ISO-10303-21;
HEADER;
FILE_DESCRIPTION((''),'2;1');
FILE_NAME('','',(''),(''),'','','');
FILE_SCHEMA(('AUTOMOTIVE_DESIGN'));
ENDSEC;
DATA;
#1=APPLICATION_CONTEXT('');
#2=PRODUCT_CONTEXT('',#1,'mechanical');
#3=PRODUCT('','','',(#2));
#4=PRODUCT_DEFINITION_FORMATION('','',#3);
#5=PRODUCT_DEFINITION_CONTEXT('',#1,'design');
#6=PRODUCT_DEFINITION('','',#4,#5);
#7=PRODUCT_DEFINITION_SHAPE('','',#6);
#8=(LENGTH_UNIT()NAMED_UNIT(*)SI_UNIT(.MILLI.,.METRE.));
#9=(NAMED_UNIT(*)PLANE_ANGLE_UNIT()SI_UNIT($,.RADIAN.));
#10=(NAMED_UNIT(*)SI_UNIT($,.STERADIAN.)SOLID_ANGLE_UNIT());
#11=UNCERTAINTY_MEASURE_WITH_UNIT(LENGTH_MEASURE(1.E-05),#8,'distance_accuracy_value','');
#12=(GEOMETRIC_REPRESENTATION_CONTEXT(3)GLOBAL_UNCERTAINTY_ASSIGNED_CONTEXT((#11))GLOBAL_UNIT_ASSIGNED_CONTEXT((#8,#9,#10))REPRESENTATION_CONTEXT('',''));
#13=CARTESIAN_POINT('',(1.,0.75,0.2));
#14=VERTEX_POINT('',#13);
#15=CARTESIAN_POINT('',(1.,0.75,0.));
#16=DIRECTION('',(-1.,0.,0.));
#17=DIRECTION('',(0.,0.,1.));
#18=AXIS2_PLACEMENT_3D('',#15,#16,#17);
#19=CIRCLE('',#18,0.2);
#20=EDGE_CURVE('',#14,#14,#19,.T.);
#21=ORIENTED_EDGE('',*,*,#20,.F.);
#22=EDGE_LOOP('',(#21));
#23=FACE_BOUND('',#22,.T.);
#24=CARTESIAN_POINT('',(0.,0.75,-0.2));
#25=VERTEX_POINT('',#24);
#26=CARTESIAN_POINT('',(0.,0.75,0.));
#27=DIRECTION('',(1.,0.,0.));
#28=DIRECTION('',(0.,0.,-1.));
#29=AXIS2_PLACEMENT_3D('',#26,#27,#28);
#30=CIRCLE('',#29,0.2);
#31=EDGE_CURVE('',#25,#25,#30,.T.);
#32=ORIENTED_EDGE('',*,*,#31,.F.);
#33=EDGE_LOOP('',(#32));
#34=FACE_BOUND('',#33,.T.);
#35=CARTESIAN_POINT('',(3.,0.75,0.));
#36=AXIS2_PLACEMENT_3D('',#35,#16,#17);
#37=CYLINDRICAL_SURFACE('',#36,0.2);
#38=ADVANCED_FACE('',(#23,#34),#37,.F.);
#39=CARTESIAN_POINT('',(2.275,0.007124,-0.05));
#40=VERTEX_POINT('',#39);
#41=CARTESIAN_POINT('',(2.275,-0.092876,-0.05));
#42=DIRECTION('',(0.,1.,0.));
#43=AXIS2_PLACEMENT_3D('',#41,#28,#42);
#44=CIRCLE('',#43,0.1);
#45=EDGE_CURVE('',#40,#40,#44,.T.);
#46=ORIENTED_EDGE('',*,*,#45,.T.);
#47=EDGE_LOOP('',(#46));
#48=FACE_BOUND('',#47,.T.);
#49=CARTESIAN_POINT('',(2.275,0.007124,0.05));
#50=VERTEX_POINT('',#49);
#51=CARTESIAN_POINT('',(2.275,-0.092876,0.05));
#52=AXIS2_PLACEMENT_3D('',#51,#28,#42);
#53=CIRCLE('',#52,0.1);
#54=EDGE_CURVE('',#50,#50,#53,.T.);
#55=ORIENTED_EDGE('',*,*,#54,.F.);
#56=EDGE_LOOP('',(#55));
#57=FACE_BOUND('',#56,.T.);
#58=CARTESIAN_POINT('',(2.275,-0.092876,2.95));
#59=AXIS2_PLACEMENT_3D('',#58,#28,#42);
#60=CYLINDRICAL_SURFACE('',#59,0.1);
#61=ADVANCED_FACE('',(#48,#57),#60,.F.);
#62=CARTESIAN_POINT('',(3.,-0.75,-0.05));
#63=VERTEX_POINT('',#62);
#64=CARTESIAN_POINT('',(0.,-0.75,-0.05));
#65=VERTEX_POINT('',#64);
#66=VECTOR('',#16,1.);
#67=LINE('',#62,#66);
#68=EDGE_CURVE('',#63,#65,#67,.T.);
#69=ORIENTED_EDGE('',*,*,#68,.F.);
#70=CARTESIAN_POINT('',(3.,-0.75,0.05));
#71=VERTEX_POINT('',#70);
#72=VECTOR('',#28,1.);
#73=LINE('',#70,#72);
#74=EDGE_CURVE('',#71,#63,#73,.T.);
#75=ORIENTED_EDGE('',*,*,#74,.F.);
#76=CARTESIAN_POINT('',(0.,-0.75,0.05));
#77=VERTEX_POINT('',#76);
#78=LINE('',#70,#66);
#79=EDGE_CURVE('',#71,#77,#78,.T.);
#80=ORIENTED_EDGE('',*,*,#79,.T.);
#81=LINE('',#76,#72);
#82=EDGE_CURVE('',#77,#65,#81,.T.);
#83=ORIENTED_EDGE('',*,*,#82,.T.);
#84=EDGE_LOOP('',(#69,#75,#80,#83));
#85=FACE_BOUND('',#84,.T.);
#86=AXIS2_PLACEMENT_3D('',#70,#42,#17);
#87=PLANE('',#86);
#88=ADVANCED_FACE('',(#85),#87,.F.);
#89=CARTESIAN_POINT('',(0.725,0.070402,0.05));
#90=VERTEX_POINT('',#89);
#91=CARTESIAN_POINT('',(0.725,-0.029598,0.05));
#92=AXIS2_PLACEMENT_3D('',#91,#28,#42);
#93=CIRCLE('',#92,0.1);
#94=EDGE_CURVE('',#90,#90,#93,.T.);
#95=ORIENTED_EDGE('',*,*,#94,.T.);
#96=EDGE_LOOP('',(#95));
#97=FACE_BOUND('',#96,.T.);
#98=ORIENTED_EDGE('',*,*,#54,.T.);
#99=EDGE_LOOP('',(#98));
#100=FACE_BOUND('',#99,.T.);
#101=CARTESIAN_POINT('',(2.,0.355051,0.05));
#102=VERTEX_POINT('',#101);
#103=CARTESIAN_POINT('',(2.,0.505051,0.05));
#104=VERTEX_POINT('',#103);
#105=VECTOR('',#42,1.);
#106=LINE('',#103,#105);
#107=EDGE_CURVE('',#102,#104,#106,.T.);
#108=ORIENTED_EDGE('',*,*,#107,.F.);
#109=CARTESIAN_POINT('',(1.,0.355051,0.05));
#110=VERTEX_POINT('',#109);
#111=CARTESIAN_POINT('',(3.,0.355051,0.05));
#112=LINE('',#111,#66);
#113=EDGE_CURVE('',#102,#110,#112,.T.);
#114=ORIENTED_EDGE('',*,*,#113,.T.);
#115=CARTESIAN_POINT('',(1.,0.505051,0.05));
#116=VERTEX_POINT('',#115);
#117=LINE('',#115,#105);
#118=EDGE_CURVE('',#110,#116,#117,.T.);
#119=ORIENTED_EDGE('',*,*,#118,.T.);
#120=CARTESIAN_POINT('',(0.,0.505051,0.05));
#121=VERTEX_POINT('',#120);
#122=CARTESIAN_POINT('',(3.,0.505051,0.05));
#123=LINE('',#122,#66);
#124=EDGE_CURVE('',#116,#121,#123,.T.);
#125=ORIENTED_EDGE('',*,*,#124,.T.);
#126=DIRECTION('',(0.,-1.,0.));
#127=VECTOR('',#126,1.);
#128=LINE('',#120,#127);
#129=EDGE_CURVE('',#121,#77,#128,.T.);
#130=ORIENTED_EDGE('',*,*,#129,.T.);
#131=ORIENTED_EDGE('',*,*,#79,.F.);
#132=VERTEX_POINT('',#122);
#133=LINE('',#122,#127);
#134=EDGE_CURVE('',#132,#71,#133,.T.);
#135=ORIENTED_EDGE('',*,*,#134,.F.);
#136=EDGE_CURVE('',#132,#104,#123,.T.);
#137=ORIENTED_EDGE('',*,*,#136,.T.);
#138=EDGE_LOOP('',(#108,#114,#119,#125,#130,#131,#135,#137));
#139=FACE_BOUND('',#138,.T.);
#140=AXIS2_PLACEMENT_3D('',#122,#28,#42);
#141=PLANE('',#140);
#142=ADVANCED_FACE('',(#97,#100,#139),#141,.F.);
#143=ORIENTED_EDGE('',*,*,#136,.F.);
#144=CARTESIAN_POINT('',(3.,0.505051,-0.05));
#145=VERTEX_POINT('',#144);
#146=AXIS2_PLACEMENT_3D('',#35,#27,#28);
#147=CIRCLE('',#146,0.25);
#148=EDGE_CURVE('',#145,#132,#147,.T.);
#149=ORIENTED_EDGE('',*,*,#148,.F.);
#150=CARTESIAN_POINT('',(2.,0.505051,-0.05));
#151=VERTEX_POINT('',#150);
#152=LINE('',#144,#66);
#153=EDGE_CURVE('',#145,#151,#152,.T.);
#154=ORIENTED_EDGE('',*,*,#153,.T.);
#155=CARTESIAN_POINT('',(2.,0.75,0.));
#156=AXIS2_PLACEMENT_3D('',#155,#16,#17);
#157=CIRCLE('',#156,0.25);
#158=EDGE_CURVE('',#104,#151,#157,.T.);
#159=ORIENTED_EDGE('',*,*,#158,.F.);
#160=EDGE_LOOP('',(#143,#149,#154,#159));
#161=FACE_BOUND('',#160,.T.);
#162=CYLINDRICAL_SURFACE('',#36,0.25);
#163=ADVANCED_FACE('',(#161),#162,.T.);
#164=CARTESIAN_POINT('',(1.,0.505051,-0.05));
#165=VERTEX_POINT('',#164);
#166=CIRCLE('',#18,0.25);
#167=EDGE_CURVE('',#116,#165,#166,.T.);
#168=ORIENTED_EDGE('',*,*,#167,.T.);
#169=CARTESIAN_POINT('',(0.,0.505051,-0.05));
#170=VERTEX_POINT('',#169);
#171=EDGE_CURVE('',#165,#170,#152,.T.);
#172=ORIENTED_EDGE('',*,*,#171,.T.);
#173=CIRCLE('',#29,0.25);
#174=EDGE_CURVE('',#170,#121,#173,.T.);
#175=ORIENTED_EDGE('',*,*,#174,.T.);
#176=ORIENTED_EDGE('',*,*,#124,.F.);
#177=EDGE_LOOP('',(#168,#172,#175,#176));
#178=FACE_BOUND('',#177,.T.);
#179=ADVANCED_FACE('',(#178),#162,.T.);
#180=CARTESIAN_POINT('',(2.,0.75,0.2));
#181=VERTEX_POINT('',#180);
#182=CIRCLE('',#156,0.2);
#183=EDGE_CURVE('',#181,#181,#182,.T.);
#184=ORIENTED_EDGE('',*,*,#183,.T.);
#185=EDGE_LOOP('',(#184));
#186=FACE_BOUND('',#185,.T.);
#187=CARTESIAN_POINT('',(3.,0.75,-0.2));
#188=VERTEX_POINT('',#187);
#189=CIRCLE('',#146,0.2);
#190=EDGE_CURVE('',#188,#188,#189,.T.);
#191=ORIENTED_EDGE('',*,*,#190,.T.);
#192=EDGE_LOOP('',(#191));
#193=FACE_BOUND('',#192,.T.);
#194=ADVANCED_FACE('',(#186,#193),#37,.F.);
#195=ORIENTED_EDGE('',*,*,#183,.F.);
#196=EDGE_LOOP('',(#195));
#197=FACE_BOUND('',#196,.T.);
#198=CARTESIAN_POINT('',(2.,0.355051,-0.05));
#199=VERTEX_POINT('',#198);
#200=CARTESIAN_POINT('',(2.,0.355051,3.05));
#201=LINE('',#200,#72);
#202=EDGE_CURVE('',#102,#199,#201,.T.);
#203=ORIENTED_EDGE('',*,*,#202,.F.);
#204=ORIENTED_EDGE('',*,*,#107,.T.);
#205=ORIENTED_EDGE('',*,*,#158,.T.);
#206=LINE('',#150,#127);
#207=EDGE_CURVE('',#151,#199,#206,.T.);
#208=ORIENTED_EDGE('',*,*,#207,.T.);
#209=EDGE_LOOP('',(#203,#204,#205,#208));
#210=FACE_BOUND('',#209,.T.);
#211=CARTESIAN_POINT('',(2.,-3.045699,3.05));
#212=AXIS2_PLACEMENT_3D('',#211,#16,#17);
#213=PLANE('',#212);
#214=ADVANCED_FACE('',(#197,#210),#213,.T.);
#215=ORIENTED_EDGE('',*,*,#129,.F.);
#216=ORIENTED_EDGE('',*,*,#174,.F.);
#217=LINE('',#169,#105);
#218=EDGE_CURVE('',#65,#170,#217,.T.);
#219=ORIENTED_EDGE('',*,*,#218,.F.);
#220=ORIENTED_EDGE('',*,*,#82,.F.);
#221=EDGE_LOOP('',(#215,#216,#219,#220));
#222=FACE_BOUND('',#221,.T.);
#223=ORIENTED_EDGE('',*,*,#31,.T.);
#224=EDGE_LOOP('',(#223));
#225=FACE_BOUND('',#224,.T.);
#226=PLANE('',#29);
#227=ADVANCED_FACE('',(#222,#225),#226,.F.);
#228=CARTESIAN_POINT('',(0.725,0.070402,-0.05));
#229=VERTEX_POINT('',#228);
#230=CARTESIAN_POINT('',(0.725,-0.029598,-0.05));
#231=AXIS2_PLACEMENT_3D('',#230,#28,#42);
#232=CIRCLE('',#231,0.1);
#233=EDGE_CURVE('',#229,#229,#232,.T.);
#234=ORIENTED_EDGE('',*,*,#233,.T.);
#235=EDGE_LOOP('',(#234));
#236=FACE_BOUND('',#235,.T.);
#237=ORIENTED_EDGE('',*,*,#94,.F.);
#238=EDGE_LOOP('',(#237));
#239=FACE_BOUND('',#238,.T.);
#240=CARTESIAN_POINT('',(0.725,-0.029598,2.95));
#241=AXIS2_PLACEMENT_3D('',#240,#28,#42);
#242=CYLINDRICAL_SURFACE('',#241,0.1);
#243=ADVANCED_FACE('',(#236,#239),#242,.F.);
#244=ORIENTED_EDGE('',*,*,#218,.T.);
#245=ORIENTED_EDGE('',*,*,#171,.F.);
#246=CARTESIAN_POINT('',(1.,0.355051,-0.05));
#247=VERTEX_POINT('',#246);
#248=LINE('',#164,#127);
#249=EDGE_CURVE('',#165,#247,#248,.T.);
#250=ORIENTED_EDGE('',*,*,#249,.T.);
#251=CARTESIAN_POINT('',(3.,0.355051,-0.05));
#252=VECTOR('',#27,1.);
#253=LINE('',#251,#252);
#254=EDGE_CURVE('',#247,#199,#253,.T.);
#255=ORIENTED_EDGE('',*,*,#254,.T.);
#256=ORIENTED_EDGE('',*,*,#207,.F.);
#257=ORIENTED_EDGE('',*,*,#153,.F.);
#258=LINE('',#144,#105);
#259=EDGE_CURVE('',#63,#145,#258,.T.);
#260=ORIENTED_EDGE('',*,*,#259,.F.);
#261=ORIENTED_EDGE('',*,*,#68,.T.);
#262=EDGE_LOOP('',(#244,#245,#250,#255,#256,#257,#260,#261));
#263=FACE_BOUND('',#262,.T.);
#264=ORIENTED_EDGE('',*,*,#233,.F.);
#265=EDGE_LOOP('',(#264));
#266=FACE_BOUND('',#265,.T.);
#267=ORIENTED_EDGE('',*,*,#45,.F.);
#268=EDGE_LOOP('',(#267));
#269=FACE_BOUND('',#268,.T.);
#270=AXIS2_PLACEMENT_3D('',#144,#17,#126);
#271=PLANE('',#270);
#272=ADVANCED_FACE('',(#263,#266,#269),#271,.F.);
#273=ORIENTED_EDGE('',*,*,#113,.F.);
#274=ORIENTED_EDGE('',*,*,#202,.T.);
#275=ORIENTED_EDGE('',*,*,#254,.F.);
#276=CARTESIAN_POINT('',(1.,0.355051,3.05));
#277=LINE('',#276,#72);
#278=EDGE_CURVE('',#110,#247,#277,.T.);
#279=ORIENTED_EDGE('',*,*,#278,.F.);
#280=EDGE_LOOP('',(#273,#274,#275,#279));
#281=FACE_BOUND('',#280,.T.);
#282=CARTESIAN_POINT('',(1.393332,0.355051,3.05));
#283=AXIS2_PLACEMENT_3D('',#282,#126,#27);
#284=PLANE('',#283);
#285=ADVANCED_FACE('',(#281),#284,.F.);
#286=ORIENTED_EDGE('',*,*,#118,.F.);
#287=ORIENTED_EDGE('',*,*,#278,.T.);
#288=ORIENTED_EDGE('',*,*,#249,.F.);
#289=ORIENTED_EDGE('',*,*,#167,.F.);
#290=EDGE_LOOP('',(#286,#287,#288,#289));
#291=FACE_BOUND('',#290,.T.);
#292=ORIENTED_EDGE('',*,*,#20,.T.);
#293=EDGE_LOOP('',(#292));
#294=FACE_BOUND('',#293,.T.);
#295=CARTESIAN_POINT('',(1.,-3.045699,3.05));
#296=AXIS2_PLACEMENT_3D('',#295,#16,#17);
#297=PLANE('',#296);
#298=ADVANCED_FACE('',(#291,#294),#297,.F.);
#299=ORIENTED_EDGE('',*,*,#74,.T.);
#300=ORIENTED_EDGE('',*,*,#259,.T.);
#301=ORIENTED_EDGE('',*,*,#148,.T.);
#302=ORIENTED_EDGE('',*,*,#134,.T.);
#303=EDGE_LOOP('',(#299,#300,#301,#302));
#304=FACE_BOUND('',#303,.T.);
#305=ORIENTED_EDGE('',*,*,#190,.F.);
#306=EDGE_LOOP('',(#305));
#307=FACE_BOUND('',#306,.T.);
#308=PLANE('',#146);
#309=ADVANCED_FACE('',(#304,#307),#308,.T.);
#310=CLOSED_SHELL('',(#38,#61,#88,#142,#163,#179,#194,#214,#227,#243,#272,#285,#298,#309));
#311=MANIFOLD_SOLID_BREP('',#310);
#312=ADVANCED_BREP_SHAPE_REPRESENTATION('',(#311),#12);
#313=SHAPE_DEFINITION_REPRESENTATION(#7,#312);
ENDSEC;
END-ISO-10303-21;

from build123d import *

# Parameters (mm, degrees)
SKETCH_2_R               = 0.2
EXTRUDE_1_DEPTH          = 3
SKETCH_3_R               = 0.1
CUT_EXTRUDE_1_DEPTH      = 3
CUT_EXTRUDE_2_DEPTH      = 3
CUT_EXTRUDE_2_DEPTH_BACK = 3
SKETCH_4_W               = 1
SKETCH_4_H               = 1.358219005


with BuildPart() as part:
    # 草图2 → 凸台-拉伸1 (new body)
    with BuildSketch(Plane(origin=(0, 0, 0), x_dir=(0, 0, -1), z_dir=(1, 0, 0))):
        with BuildLine():
            Line((-0.05, 0.505051026), (-0.05, -0.75))
            Line((-0.05, -0.75), (0.05, -0.75))
            Line((0.05, -0.75), (0.05, 0.505051026))
            ThreePointArc((0.05, 0.505051026), (0, 1), (-0.05, 0.505051026))
        make_face()
        with Locations((0, 0.75)):
            Circle(SKETCH_2_R, mode=Mode.SUBTRACT)
    extrude(amount=EXTRUDE_1_DEPTH)

    # 草图3 → 切除-拉伸1 (cut)
    with BuildSketch(Plane(origin=(0, 0, -0.05), x_dir=(-1, 0, 0), z_dir=(0, 0, -1))):
        with Locations((-2.275, -0.092876486)):
            Circle(SKETCH_3_R)
        with Locations((-0.725, -0.029598001)):
            Circle(SKETCH_3_R)
    extrude(amount=-CUT_EXTRUDE_1_DEPTH, mode=Mode.SUBTRACT)

    # 草图4 → 切除-拉伸2 (cut, two sides: drawn at the far end of the back side and taken through both)
    with BuildSketch(Plane.XY.offset(0.05).offset(-CUT_EXTRUDE_2_DEPTH_BACK)):
        with Locations((1.5, 1.034160529)):
            Rectangle(SKETCH_4_W, SKETCH_4_H)
    extrude(amount=CUT_EXTRUDE_2_DEPTH + CUT_EXTRUDE_2_DEPTH_BACK, mode=Mode.SUBTRACT)


solid = part.part
